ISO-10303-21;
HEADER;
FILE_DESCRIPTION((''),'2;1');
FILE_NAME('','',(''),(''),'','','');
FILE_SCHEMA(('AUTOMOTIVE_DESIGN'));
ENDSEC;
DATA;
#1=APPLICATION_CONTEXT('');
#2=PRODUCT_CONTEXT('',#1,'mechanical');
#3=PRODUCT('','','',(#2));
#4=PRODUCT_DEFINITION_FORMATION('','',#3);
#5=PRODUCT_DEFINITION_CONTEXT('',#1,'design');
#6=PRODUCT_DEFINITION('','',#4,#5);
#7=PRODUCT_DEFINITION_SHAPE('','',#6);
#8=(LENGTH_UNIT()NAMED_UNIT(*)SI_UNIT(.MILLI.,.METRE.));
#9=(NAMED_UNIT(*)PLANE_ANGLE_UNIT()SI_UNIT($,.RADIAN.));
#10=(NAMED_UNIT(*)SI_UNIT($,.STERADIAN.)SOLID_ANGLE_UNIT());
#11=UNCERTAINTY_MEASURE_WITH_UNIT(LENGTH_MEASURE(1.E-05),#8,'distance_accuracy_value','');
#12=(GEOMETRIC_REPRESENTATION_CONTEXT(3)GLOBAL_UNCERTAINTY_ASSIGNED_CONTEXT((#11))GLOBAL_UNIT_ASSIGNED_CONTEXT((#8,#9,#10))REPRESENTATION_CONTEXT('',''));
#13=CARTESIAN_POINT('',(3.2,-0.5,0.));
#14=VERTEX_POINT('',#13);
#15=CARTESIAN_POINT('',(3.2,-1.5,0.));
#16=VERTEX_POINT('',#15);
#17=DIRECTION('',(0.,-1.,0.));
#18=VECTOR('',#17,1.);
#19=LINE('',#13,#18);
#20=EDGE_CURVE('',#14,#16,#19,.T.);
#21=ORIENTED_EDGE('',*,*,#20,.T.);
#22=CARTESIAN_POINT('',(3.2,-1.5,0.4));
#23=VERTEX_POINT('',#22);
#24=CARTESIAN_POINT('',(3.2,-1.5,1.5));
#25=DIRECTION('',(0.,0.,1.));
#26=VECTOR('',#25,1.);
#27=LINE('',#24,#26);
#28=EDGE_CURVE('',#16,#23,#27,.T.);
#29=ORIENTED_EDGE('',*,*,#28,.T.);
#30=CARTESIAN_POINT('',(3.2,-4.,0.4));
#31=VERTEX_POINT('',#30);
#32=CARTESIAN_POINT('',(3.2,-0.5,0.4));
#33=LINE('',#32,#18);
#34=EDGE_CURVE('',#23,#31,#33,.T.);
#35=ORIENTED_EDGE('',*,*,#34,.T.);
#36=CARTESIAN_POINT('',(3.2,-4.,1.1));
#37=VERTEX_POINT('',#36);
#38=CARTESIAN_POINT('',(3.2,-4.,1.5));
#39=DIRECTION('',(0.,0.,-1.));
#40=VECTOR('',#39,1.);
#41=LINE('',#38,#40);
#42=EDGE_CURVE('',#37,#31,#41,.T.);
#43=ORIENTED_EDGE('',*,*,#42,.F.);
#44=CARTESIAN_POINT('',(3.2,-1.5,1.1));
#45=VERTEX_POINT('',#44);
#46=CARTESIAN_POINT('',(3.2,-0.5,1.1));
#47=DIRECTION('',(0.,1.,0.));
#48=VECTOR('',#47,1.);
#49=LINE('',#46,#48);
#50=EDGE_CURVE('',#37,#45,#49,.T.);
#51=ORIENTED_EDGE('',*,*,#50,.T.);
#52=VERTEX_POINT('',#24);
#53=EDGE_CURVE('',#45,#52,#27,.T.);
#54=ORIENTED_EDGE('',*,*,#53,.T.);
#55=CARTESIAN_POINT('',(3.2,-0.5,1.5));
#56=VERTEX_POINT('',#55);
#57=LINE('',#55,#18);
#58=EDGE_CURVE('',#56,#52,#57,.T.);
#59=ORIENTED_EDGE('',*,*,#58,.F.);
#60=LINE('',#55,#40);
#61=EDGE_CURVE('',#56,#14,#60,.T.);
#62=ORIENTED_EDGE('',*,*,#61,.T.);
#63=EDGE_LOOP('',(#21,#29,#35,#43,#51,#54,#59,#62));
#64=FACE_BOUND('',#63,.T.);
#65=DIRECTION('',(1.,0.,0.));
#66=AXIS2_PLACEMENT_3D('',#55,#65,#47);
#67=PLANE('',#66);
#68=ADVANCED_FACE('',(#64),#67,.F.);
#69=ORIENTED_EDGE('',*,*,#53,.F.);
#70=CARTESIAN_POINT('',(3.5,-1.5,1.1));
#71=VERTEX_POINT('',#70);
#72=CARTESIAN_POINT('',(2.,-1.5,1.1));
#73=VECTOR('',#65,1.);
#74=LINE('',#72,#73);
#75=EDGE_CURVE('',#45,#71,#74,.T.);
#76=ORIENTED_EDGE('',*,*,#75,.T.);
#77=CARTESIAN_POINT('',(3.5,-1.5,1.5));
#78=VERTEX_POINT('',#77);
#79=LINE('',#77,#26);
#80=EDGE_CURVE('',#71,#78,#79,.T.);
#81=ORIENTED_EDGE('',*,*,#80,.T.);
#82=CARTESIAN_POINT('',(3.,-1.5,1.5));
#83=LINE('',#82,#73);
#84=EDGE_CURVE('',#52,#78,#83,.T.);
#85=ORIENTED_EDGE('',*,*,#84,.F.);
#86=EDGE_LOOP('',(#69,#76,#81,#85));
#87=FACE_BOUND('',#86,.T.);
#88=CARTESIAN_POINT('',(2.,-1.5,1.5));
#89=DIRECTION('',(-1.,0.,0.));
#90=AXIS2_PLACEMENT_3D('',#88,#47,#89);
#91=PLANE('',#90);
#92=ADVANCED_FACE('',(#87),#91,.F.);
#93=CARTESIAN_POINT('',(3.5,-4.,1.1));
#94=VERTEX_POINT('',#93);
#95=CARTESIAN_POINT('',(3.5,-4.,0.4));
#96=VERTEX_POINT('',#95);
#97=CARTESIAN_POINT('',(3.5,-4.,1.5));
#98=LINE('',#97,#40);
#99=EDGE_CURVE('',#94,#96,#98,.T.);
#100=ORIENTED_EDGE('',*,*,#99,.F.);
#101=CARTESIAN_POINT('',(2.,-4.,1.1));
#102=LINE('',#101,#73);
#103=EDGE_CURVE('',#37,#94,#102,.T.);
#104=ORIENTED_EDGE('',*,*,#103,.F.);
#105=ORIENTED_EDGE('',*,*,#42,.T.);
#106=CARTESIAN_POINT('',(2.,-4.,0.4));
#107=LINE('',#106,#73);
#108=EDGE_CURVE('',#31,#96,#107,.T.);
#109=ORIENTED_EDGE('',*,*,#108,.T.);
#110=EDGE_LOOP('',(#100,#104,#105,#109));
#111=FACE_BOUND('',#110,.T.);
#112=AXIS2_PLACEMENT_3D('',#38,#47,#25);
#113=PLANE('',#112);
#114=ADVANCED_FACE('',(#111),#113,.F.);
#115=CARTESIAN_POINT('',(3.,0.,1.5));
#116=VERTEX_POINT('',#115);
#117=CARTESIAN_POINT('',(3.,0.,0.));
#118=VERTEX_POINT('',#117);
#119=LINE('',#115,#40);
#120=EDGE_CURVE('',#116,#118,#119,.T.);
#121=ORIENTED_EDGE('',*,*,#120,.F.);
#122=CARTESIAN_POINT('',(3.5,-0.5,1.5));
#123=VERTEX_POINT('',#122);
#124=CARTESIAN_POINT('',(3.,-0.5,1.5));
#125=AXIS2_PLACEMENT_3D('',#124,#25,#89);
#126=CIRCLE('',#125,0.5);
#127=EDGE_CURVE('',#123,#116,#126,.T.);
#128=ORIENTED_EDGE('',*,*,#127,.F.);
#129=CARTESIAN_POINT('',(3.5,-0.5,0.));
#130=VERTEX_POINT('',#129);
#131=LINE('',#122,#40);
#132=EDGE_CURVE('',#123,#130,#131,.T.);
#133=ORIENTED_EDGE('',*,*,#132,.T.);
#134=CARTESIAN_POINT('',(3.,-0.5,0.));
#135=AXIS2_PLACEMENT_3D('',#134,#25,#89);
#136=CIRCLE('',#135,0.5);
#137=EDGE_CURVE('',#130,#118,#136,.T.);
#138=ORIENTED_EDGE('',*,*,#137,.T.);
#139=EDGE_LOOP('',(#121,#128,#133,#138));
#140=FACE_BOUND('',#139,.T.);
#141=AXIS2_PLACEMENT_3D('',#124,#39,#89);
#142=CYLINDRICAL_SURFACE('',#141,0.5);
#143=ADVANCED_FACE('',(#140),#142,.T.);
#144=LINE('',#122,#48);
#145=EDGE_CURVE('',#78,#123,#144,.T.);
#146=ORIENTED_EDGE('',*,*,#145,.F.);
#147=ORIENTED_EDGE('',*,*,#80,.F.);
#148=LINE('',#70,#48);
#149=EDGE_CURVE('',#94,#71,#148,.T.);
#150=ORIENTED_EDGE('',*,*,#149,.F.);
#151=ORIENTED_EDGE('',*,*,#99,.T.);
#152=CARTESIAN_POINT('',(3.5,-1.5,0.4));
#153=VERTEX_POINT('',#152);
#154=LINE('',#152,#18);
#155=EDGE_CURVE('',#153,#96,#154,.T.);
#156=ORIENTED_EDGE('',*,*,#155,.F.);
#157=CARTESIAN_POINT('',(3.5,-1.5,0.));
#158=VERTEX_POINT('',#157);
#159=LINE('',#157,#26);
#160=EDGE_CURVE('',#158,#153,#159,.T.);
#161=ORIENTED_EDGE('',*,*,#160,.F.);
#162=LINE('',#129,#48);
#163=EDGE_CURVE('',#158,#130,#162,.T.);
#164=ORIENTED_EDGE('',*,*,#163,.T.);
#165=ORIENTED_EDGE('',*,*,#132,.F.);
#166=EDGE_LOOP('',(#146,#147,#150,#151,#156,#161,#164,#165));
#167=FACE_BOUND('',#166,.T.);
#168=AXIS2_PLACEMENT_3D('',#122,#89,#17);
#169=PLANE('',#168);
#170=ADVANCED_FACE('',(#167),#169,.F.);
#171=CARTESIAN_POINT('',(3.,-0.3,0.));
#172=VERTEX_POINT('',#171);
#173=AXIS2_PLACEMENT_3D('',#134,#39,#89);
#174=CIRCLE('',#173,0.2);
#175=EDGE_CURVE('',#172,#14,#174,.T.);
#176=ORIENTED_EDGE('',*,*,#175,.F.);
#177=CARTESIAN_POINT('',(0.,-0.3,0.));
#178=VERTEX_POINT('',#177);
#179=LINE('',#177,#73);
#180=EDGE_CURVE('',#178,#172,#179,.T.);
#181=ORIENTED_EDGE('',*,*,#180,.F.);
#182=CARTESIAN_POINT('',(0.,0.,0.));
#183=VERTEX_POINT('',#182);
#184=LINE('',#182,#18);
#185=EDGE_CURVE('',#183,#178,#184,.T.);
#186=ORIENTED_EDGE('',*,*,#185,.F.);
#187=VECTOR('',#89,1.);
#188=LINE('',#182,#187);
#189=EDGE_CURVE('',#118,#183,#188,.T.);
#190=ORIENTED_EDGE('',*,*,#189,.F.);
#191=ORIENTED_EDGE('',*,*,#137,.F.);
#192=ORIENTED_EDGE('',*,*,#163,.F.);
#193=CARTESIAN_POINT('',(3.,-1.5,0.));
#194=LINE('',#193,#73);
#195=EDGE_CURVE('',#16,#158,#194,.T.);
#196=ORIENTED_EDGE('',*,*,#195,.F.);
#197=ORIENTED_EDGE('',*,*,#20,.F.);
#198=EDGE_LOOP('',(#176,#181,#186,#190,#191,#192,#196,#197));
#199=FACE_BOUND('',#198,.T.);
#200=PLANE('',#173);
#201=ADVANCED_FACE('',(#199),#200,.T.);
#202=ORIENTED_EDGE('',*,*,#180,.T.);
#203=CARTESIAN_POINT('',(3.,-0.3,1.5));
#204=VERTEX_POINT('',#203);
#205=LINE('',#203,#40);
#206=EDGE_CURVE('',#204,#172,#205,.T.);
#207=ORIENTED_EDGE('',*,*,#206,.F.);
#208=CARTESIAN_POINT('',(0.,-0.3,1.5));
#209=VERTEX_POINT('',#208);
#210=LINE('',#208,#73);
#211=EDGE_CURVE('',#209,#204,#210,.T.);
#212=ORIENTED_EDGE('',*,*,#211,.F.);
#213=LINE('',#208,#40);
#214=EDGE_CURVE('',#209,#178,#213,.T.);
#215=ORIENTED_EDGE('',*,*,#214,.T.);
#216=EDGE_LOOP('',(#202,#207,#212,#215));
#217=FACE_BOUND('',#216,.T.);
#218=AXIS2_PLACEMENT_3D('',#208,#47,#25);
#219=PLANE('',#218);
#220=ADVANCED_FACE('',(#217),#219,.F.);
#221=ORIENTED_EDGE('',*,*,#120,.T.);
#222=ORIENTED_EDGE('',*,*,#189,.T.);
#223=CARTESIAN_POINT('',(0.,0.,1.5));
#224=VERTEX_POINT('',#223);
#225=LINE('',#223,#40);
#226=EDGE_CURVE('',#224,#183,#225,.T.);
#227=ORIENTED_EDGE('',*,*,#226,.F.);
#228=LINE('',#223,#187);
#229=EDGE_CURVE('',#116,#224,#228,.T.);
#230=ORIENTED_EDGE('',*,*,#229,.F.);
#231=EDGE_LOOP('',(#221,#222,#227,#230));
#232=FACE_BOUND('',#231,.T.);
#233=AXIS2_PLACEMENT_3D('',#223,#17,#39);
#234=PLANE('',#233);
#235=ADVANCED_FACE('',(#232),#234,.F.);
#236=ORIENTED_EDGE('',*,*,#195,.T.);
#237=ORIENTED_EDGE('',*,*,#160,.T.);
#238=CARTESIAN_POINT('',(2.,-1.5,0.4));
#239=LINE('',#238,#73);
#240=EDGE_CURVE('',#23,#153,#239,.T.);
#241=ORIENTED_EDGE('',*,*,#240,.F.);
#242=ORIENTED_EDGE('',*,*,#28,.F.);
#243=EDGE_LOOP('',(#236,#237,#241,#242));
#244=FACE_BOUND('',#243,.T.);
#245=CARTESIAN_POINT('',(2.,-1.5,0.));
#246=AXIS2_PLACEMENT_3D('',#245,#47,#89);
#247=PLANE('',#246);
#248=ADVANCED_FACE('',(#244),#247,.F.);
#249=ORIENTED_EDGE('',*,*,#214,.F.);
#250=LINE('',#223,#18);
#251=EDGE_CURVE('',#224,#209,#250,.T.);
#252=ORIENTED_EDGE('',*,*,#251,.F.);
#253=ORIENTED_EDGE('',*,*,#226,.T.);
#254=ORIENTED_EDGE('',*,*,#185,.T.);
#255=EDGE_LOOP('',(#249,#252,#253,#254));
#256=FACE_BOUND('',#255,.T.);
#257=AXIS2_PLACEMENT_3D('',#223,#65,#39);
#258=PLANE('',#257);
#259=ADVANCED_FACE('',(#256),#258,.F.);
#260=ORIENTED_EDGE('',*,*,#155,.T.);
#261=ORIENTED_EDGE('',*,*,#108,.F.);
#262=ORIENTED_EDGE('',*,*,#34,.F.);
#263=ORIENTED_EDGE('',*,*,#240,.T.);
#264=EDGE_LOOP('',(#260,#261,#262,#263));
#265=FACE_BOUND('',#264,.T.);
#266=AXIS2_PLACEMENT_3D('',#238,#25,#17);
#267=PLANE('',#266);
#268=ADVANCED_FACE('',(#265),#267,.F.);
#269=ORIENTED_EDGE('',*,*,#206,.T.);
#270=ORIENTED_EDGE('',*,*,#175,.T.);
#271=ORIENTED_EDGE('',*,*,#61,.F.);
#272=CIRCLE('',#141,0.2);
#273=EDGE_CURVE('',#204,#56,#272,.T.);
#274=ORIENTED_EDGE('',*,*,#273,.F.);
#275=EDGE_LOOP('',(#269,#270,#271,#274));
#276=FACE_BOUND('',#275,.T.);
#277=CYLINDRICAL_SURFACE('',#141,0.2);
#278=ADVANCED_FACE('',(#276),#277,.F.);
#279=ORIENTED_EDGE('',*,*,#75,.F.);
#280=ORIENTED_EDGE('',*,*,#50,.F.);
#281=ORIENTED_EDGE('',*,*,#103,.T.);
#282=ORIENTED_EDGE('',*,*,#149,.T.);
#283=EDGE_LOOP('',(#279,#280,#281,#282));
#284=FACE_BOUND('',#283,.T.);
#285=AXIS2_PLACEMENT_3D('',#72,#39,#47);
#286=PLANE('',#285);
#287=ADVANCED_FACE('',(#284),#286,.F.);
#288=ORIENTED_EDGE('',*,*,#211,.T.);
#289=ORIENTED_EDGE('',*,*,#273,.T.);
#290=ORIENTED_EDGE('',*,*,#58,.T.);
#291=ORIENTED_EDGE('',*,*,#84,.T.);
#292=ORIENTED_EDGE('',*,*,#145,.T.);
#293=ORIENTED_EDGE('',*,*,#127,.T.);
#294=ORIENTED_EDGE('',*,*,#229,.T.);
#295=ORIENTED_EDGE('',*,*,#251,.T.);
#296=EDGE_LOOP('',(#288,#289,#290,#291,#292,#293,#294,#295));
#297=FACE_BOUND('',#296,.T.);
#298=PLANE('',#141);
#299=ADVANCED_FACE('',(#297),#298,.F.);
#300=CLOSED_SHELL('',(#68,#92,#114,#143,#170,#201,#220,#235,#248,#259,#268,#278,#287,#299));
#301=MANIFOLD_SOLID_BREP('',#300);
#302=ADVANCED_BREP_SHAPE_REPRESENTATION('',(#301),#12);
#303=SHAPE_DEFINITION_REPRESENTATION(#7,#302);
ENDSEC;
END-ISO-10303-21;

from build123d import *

# Parameters (mm, degrees)
BOSS_EXTRUDE1_DEPTH = 1.5
SKETCH2_W           = 0.4
SKETCH2_H           = 2.5
CUT_EXTRUDE1_DEPTH  = 1.5


with BuildPart() as part:
    # Sketch1 → Boss-Extrude1 (new body)
    with BuildSketch(Plane.XY):
        with BuildLine():
            Line((0, 0), (3, 0))
            ThreePointArc((3, 0), (3.353553391, -0.146446609), (3.5, -0.5))
            Line((3.5, -0.5), (3.5, -4))
            Line((3.5, -4), (3.2, -4))
            Line((3.2, -4), (3.2, -0.5))
            ThreePointArc((3.2, -0.5), (3.141421356, -0.358578644), (3, -0.3))
            Line((3, -0.3), (0, -0.3))
            Line((0, -0.3), (0, 0))
        make_face()
    extrude(amount=BOSS_EXTRUDE1_DEPTH)

    # Sketch2 → Cut-Extrude1 (cut)
    with BuildSketch(Plane(origin=(3.5, 0, 0), x_dir=(0, 0, -1), z_dir=(1, 0, 0))):
        with Locations((-1.3, -2.75)):
            Rectangle(SKETCH2_W, SKETCH2_H)
        with Locations((-0.2, -2.75)):
            Rectangle(SKETCH2_W, SKETCH2_H)
    extrude(amount=-CUT_EXTRUDE1_DEPTH, mode=Mode.SUBTRACT)


solid = part.part
